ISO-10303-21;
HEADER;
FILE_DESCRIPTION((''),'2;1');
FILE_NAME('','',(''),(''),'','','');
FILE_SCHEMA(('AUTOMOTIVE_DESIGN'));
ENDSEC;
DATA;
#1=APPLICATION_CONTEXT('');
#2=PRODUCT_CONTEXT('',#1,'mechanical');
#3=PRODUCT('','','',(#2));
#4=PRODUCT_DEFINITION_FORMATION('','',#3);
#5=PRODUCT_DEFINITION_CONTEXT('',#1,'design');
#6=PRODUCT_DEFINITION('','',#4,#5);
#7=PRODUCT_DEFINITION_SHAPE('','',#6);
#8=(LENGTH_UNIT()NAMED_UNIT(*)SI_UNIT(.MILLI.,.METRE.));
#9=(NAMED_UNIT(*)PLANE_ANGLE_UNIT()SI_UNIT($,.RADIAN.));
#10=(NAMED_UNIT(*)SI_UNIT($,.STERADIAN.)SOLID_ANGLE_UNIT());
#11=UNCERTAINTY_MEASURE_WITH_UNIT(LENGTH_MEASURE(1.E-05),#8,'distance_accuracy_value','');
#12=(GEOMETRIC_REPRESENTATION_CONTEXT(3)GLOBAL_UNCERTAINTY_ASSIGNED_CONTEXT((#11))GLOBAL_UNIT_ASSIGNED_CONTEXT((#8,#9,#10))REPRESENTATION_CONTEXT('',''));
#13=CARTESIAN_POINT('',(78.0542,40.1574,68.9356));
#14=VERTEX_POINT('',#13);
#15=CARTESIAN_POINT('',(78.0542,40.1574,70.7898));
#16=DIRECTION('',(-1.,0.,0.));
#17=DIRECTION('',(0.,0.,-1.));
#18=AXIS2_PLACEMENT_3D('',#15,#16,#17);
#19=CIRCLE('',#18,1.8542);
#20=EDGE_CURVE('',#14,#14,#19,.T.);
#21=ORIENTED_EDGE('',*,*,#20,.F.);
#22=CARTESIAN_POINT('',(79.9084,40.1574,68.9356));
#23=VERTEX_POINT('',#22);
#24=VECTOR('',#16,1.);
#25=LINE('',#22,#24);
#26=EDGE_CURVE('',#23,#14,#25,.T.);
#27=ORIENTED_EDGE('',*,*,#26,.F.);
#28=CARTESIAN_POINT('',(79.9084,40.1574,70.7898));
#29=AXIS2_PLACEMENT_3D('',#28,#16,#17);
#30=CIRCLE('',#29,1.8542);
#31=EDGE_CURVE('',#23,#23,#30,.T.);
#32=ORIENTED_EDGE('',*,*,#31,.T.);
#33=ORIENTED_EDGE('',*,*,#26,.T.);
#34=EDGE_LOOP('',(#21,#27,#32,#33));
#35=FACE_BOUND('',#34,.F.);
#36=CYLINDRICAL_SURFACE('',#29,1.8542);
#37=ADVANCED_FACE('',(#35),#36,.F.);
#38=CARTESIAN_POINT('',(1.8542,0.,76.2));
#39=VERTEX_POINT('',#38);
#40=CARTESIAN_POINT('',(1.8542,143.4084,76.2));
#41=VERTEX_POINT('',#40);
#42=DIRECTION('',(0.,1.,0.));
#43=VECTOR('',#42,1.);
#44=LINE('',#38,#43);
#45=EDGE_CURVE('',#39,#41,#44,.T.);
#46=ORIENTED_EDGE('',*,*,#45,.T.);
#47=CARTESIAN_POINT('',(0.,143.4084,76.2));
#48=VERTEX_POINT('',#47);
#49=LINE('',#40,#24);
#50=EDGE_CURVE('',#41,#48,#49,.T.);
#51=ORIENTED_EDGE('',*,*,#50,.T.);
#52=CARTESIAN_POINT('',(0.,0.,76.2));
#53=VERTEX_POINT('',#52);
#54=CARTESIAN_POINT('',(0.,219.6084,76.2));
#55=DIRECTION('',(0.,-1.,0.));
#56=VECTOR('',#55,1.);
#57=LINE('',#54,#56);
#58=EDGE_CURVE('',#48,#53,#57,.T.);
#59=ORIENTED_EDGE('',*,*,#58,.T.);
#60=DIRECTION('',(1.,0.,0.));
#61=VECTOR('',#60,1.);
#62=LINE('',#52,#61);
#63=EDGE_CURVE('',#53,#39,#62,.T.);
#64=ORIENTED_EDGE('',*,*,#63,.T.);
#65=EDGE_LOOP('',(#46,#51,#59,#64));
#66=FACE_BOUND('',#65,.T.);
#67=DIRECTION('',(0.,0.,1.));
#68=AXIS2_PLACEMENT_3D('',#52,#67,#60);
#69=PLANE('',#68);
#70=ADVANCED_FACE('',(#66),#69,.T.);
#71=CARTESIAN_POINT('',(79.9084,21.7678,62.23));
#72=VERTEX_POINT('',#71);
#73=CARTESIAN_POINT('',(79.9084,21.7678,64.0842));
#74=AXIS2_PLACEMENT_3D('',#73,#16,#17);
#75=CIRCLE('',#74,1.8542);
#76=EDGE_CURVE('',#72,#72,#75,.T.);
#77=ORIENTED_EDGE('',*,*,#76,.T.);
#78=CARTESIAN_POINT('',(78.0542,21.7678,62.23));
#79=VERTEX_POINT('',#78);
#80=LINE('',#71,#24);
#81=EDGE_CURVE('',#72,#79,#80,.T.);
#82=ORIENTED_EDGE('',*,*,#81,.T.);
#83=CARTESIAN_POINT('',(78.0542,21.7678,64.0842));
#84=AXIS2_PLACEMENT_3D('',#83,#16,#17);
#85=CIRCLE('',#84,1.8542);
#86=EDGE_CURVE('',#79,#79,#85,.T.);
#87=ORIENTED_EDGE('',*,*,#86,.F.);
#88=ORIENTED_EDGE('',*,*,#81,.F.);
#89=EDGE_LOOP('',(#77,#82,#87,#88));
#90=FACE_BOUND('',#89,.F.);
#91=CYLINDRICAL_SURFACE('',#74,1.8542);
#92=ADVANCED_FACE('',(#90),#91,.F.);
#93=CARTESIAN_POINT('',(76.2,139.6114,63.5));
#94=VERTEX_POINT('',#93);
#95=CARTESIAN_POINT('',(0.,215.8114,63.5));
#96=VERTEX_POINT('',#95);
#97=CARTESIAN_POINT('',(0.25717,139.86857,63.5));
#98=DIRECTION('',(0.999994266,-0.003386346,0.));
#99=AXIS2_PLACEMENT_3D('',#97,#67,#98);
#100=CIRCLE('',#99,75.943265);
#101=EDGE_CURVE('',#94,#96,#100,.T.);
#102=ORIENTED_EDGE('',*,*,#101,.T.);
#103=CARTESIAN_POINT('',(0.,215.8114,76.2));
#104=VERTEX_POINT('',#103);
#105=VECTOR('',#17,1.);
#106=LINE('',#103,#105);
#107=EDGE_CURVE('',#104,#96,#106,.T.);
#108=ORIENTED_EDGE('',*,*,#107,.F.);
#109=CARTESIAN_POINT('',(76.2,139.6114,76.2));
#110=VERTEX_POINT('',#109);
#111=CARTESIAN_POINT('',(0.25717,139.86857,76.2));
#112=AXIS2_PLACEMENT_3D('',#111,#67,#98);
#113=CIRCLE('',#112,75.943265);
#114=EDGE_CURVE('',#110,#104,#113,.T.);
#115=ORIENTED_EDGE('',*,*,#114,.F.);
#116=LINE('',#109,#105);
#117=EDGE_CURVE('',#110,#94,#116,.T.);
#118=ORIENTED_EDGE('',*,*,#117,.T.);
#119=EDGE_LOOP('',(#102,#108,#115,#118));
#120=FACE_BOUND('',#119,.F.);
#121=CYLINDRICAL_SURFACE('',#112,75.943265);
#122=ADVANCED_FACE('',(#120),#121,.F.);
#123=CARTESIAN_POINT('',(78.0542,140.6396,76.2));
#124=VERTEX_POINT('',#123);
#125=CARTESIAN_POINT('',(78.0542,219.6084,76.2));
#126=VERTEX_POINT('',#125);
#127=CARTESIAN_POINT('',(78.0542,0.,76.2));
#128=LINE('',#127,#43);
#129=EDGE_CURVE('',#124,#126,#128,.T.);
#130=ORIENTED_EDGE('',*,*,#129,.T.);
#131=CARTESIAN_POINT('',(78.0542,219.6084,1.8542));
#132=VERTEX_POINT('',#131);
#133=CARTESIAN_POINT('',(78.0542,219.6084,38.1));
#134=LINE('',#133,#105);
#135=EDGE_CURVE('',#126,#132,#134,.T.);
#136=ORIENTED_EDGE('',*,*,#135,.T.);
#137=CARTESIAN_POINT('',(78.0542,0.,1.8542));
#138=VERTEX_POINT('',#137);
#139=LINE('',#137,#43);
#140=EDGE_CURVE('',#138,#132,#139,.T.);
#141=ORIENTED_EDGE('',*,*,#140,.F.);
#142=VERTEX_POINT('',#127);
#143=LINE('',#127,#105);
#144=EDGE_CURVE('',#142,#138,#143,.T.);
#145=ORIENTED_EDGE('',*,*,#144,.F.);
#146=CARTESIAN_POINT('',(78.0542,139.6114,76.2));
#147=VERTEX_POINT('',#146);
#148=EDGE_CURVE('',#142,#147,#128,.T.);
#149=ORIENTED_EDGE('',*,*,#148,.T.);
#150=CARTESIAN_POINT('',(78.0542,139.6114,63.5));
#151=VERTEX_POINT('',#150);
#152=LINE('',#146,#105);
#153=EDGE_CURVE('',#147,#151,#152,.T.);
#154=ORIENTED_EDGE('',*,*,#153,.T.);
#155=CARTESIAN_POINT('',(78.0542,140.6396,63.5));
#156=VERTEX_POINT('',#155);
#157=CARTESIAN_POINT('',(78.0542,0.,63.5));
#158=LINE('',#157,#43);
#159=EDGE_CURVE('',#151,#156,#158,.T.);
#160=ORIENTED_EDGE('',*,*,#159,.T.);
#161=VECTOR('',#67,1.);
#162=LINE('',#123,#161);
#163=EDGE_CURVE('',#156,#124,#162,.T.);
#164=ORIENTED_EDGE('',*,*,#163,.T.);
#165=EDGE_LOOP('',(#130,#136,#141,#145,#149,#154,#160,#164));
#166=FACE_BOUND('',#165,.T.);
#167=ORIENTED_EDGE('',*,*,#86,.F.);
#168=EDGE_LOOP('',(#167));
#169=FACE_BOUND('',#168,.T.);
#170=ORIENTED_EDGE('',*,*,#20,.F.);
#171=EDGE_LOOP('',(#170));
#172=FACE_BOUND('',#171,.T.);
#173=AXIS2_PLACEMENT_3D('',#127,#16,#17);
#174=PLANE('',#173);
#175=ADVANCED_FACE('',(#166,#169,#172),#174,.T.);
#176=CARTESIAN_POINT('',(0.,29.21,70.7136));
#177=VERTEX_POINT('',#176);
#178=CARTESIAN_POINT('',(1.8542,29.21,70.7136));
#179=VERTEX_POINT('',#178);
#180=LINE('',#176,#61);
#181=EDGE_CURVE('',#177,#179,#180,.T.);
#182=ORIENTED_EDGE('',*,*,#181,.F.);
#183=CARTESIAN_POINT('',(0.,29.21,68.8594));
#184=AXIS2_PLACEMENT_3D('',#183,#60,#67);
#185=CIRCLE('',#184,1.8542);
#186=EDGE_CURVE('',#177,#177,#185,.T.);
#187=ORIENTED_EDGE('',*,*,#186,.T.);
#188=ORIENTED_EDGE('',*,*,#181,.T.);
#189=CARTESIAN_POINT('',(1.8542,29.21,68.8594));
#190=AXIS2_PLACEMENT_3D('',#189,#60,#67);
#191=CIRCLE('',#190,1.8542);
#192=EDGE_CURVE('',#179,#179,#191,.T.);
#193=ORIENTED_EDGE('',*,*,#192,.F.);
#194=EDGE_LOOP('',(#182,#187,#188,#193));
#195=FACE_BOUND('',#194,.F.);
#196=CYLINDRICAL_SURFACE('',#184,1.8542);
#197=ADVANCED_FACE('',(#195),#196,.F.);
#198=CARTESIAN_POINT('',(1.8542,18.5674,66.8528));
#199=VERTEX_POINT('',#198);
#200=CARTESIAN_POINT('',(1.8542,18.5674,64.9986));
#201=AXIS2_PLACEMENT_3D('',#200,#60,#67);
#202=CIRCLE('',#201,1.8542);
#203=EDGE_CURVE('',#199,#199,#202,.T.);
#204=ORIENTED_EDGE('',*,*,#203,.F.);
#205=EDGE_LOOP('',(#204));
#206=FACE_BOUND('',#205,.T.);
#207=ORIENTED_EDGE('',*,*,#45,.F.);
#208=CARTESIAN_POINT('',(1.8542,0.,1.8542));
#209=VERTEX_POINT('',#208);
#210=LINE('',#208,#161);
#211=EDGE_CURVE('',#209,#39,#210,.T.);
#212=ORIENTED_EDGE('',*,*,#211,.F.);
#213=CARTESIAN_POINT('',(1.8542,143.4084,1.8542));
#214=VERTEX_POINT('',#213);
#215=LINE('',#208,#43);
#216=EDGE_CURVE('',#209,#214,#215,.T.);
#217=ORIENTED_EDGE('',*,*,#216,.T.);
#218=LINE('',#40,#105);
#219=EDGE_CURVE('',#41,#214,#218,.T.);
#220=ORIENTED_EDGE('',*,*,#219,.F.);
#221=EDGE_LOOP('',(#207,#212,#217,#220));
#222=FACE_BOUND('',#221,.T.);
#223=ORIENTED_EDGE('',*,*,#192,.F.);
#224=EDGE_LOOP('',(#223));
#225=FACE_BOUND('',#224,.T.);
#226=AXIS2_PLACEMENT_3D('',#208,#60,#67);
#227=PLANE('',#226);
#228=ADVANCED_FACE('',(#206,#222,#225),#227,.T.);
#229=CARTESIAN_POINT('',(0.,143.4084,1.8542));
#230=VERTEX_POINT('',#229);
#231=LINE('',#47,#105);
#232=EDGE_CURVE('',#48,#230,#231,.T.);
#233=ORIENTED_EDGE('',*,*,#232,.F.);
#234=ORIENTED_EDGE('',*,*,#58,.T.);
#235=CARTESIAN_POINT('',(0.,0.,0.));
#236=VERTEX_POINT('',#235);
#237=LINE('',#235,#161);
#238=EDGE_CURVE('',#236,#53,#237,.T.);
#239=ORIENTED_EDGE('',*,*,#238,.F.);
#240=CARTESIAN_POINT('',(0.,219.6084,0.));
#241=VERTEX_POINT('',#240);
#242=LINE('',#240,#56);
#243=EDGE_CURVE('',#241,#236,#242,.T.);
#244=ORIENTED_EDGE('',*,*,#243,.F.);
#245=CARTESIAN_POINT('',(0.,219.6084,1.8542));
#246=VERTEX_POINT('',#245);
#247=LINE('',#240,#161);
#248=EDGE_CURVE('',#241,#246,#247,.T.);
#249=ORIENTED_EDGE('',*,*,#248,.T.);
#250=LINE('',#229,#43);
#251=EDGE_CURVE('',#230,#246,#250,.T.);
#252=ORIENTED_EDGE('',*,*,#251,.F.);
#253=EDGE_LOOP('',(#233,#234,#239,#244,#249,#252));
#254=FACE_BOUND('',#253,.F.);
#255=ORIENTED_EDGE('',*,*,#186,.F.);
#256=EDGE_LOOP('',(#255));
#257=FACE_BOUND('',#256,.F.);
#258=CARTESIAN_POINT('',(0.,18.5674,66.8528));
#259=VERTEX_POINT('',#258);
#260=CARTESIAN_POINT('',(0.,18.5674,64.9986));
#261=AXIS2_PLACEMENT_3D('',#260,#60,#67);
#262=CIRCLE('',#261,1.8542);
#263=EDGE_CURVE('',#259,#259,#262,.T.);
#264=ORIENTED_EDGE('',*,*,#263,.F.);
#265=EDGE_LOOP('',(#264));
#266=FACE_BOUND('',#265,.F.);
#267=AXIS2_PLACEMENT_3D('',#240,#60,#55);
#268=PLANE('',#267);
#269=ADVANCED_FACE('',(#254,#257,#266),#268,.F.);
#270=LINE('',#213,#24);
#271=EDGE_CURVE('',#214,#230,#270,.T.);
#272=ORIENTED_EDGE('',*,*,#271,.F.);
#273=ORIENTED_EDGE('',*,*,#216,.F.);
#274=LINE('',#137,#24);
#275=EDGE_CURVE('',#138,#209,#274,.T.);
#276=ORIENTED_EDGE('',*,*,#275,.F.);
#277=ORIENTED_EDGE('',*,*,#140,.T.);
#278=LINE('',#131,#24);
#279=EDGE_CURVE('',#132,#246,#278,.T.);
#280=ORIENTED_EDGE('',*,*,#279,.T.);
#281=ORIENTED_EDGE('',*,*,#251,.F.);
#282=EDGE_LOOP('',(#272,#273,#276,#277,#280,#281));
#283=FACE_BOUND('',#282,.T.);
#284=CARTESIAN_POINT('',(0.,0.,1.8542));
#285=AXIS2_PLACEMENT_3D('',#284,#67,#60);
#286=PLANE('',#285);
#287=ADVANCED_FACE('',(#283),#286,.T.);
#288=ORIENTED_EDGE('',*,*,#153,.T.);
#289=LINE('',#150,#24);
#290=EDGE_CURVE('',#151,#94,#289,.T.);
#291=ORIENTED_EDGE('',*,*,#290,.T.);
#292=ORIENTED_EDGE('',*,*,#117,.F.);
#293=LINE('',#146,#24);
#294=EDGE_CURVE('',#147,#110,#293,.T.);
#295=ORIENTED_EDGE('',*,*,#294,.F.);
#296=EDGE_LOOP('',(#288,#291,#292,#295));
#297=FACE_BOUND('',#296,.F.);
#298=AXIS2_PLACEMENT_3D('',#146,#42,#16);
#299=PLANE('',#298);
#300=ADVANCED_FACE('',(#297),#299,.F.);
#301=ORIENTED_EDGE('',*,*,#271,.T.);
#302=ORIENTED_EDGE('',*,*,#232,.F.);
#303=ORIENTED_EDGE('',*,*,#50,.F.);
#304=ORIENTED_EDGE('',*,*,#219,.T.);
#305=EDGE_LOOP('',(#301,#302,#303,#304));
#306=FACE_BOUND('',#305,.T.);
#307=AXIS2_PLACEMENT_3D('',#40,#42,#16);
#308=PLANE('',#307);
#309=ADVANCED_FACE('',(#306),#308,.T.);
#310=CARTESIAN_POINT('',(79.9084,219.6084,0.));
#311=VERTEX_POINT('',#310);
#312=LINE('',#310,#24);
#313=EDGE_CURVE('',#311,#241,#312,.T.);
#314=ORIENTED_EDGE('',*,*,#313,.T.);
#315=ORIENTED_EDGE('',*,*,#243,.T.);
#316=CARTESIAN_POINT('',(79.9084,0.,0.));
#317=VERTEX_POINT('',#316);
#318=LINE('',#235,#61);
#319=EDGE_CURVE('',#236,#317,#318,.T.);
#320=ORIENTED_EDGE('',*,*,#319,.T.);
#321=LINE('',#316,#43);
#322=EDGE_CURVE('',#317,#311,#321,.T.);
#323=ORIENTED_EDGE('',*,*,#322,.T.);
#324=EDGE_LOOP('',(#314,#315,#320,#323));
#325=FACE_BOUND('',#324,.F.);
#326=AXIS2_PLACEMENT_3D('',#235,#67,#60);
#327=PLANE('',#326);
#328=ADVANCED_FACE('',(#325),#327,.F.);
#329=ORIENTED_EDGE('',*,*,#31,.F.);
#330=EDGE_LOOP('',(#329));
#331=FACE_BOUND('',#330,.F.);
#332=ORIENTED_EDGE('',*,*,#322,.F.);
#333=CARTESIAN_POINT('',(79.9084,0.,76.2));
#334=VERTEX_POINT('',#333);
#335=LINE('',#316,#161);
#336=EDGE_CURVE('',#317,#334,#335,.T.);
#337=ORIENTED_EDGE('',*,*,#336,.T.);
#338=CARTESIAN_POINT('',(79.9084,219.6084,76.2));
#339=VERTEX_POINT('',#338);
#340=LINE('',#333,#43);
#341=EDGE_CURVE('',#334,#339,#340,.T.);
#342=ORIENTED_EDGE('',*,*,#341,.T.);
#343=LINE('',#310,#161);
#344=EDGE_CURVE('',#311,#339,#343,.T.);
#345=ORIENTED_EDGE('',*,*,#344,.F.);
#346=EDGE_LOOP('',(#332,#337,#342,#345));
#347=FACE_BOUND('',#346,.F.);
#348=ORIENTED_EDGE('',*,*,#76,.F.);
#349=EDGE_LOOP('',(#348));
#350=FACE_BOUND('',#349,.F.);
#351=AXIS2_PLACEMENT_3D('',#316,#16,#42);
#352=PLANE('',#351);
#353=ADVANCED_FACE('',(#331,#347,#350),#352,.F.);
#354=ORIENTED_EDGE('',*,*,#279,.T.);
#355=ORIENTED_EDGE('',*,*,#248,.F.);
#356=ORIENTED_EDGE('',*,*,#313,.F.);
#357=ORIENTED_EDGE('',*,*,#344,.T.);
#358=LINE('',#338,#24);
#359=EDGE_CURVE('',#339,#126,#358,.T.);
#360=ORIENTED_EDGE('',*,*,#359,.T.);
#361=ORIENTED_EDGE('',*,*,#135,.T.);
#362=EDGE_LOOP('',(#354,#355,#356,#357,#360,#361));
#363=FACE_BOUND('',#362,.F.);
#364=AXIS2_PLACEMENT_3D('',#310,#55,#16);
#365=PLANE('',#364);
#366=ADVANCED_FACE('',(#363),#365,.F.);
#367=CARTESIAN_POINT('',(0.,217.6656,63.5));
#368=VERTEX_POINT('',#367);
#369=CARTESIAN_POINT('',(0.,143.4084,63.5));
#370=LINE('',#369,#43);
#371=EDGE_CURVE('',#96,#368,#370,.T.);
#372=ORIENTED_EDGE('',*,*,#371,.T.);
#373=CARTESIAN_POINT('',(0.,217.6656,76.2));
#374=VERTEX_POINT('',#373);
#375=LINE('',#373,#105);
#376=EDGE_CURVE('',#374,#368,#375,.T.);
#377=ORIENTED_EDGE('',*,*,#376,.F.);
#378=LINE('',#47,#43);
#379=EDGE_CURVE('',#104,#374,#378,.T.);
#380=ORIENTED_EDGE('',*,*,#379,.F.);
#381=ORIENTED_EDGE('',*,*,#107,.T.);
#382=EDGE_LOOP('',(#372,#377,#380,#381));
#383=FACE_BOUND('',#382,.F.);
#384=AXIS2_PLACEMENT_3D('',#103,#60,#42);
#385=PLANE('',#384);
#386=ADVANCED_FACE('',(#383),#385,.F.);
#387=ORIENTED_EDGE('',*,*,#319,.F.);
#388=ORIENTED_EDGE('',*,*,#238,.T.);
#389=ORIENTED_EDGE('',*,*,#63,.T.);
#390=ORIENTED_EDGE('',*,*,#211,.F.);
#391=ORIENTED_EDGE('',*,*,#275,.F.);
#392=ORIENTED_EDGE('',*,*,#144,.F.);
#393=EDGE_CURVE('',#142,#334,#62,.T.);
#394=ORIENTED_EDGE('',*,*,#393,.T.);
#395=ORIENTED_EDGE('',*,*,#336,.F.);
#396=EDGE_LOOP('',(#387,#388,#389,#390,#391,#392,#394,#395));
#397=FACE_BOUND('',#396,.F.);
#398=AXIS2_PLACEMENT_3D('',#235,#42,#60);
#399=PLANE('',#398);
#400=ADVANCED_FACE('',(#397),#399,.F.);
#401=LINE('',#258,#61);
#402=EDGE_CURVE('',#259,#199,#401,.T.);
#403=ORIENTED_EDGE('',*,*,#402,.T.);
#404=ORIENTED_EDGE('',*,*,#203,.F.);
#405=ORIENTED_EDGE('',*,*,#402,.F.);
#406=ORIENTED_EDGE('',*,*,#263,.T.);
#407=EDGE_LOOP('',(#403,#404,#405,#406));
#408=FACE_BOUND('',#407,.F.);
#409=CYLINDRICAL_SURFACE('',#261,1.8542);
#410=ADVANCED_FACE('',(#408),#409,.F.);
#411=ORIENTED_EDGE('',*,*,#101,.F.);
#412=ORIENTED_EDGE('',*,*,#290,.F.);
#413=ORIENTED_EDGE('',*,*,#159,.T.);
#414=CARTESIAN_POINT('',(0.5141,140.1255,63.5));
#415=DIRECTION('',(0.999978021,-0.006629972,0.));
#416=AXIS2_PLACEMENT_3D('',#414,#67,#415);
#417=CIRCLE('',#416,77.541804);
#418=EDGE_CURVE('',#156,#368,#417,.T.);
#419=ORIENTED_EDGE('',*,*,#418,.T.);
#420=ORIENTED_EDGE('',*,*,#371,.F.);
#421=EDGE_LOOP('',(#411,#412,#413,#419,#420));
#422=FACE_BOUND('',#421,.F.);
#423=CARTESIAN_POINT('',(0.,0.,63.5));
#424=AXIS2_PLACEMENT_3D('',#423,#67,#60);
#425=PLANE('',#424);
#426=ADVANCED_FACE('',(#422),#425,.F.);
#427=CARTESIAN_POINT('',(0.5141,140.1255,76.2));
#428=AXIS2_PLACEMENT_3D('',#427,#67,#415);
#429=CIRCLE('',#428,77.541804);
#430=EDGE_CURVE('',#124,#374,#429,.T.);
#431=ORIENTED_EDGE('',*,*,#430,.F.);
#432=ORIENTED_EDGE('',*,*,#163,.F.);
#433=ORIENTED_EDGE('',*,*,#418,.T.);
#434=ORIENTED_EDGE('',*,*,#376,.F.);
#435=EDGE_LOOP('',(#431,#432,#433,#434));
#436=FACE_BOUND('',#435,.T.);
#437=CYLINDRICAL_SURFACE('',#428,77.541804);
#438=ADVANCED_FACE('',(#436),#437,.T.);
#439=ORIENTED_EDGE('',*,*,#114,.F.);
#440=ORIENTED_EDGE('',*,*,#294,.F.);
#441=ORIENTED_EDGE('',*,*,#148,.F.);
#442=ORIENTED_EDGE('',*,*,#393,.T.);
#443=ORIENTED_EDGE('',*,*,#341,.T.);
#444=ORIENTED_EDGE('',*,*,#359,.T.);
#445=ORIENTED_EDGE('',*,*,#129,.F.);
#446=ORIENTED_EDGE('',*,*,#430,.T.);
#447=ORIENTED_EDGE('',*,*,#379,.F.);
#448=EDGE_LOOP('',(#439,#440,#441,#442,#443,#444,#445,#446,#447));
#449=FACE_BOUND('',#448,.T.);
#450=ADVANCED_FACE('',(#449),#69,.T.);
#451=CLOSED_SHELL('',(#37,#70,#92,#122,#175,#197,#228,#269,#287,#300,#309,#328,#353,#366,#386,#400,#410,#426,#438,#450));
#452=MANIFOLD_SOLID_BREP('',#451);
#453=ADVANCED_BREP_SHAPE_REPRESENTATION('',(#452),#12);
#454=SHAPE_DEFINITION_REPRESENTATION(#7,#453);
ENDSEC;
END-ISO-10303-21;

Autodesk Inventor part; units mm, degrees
ref_plane "YZ Plane" through (0, 0, 0) normal (1, 0, 0) x (0, 1, 0)
ref_plane "XZ Plane" through (0, 0, 0) normal (0, 1, 0) x (-1, 0, 0)
ref_plane "XY Plane" through (0, 0, 0) normal (0, 0, 1) x (1, 0, 0)
sketch "Sketch1" plane through (0, 0, 0) normal (0, 0, 1) x (1, 0, 0)
  line L0 (0, 0) -> (79.9084, 0)
  line L1 (79.9084, 0) -> (79.9084, 219.6084)
  line L2 (79.9084, 219.6084) -> (0, 219.6084)
  line L3 (0, 219.6084) -> (0, 0)
  dimension "d0" = 79.9084
  dimension "d1" = 219.6084
extrude "Extrusion1" add sketch "Sketch1" along normal blind 76.2
sketch "Sketch2" plane through (0, 0, 0) normal (0, -1, 0) x (1, 0, 0)
  line L0 (79.9084, 0) -> (79.9084, 76.2) projected
  line L1 (0, 0) -> (79.9084, 0) projected
  line L2 (0, 76.2) -> (79.9084, 76.2) projected
  line L3 (78.0542, 1.8542) -> (1.8542, 1.8542)
  line L4 (1.8542, 1.8542) -> (1.8542, 76.2)
  line L5 (1.8542, 76.2) -> (78.0542, 76.2)
  line L6 (78.0542, 76.2) -> (78.0542, 1.8542)
  dimension "d4" = 1.8542
  dimension "d5" = 1.8542
  dimension "d6" = 76.2
extrude "Extrusion2" cut sketch "Sketch2" against normal blind 228.6
sketch "Sketch3" plane through (0, 0, 76.2) normal (0, 0, 1) x (1, 0, 0)
  line L0 (1.8542, 0) -> (1.8542, 219.6084) projected
  line L1 (0, 219.6084) -> (1.8542, 219.6084)
  line L2 (1.8542, 219.6084) -> (1.8542, 143.4084)
  line L3 (1.8542, 143.4084) -> (0, 143.4084)
  line L4 (0, 143.4084) -> (0, 219.6084)
  point P0 (0, 0)
  dimension "d9" = 76.2
extrude "Extrusion3" cut sketch "Sketch3" against normal blind 74.3458
sketch "Sketch9" plane through (0, 0, 76.2) normal (0, 0, 1) x (1, 0, 0)
  line L0 (78.0542, 219.6084) -> (78.0542, 0) projected
  line L1 (0, 143.4084) -> (0, 219.6084) projected
  arc A0 (78.0542, 139.6114) -> (0, 217.6656) centre (0.5141, 140.1255) ccw
  line L2 (0, 217.6656) -> (78.0542, 139.6114) construction
  line L3 (0, 217.6656) -> (110.3853, 217.6656) construction
  line L4 (78.0542, 139.6114) -> (76.2, 139.6114)
  line L5 (0, 217.6656) -> (0, 215.8114)
  arc A1 (76.2, 139.6114) -> (0, 215.8114) centre (0.257, 139.8685) ccw
  point P0 (0, 0)
  dimension "d22" = 45
  dimension "d23" = 1.8542
  dimension "d24" = 1.8542
extrude "Extrusion7" add sketch "Sketch9" against normal blind 12.7
sketch "Sketch10" plane through (0, 0, 0) normal (-1, 0, 0) x (0, 0, 1)
  line L0 (0, 0) -> (76.2, 0) projected
  line L1 (76.2, 143.4084) -> (76.2, 0) projected
  point P0 (64.9986, 18.5674)
  point P1 (68.8594, 29.21)
  dimension "d27" = 18.5674
  dimension "d28" = 11.2014
  dimension "d29" = 7.3406
  dimension "d30" = 29.21
hole "Hole1" at (0, 29.21, 68.8594) at (0, 18.5674, 64.9986) direction (1, 0, 0) diameter 3.7084 depth 1.8542
sketch "Sketch11" plane through (79.9084, 0, 0) normal (1, 0, 0) x (0, 0, -1)
  line L0 (0, 0) -> (-76.2, 0) projected
  line L1 (-76.2, 0) -> (-76.2, 219.6084) projected
  point P0 (-70.7898, 40.1574)
  point P1 (-64.0842, 21.7678)
  dimension "d38" = 40.1574
  dimension "d39" = 5.4102
  dimension "d40" = 12.1158
  dimension "d41" = 21.7678
hole "Hole2" at (79.9084, 40.1574, 70.7898) at (79.9084, 21.7678, 64.0842) direction (-1, 0, 0) diameter 3.7084 depth 1.8542
properties part number "Sorter" material "Aluminum 6061"
